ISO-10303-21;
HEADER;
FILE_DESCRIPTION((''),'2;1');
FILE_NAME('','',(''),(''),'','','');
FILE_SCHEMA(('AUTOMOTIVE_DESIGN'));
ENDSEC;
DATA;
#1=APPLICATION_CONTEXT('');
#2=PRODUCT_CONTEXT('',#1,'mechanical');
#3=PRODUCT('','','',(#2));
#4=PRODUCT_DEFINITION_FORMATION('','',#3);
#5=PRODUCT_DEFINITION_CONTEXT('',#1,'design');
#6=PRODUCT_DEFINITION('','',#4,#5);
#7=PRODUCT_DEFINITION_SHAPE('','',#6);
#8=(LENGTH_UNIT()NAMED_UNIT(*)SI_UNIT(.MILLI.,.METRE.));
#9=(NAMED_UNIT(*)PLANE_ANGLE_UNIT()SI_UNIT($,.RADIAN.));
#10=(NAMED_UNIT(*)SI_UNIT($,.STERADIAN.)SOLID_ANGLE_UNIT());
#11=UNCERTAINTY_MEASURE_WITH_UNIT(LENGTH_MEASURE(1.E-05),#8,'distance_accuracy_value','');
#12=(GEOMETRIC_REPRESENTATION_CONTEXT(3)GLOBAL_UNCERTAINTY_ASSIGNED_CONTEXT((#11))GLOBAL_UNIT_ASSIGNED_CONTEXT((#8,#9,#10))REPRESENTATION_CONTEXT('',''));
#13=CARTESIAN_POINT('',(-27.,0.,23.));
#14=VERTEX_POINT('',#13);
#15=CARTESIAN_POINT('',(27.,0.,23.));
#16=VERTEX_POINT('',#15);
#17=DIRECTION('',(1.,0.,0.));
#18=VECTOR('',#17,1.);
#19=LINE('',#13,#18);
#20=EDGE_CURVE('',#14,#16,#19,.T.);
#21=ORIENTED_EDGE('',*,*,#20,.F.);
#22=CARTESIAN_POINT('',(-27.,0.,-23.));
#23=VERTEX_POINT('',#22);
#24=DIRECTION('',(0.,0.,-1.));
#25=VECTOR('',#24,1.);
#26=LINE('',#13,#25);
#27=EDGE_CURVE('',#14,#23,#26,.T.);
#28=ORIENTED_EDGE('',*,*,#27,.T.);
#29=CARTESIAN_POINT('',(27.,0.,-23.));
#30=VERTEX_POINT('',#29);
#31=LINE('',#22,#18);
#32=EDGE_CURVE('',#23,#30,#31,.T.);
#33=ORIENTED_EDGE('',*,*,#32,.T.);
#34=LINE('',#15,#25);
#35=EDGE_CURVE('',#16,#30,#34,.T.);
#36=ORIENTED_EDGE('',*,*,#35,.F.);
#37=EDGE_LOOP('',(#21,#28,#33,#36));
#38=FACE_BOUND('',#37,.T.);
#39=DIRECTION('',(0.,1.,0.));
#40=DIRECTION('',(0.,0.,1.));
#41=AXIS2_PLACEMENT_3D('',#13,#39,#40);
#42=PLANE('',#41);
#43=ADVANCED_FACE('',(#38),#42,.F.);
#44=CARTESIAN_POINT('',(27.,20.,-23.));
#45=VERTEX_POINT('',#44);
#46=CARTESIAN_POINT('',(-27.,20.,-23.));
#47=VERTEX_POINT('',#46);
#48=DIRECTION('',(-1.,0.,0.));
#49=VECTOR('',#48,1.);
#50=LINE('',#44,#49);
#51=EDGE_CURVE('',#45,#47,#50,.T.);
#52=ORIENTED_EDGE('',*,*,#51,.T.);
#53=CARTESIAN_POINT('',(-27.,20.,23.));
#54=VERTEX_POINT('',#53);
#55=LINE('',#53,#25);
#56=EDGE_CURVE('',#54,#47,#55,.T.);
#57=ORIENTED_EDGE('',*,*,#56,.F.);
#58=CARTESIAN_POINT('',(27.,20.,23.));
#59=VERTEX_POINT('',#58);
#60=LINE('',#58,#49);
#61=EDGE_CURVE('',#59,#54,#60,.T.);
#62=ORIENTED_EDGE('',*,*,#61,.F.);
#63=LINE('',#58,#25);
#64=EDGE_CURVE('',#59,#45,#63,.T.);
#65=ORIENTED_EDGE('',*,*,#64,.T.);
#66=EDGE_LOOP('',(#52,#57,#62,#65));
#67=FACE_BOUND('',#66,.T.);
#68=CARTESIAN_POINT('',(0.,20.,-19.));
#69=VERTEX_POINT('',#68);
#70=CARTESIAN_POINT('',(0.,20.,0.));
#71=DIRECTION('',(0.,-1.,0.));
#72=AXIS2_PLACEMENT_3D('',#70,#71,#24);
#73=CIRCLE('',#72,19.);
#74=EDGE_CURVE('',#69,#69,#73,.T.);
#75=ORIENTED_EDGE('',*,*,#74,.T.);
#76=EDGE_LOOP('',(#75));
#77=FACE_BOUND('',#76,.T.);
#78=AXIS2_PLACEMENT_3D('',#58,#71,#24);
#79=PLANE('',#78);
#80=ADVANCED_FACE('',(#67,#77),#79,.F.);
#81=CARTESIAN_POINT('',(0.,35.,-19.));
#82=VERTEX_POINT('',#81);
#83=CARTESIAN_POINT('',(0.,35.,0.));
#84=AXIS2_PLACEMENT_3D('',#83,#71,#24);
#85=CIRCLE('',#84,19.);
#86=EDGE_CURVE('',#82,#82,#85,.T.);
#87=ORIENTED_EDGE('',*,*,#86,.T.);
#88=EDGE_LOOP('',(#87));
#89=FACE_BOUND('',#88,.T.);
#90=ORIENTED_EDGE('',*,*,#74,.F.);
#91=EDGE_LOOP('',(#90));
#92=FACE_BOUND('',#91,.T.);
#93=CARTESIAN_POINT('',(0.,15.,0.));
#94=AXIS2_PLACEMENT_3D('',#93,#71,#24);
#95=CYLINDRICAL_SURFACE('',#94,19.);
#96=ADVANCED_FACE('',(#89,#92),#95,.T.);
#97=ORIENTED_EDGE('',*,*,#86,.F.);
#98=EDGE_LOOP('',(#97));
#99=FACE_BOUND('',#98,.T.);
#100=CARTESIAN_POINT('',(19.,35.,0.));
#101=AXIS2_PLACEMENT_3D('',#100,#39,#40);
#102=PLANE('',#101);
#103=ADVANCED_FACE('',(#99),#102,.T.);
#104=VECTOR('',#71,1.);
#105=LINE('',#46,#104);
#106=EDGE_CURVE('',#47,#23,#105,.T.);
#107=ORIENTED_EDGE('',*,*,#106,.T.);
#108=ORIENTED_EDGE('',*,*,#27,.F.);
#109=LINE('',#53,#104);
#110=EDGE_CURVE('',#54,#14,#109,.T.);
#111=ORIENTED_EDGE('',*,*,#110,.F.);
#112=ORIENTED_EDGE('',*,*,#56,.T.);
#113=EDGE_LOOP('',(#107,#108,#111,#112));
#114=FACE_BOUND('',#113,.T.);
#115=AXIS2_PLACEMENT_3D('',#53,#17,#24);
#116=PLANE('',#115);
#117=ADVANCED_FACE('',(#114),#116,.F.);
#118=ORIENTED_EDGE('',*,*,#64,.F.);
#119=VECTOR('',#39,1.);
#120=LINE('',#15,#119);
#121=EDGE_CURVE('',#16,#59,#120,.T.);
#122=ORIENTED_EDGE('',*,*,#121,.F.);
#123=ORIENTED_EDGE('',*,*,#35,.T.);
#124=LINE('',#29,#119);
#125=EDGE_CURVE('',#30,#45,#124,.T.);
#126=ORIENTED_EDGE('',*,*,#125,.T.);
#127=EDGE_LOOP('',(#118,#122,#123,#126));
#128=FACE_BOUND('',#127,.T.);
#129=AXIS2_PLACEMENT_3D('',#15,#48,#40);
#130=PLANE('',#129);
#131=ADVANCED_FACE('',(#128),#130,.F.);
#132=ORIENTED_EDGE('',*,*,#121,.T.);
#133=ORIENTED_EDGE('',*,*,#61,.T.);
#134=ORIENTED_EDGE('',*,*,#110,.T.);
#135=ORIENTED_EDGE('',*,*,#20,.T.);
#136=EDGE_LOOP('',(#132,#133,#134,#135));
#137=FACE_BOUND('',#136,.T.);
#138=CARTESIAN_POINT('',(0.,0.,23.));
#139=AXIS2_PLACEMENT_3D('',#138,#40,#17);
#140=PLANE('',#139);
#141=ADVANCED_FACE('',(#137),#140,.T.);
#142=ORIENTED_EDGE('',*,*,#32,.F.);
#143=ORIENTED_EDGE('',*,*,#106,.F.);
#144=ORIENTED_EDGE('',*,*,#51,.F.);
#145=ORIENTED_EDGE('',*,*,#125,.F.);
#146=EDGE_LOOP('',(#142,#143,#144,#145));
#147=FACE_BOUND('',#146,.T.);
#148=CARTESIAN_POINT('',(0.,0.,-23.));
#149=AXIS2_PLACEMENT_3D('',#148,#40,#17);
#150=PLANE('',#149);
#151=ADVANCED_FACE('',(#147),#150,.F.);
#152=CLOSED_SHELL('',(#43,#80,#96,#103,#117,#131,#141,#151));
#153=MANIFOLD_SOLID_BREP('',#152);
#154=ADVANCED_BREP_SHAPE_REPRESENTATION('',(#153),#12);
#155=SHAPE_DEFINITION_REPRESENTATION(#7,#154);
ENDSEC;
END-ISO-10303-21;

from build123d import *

# Parameters (mm, degrees)
SK_BASE_W  = 54
SK_BASE_H  = 20
BASE_DEPTH = 23
SK_HEAD_W  = 19
SK_HEAD_H  = 15


with BuildPart() as part:
    # SK_Base → Base (new, symmetric)
    with BuildSketch(Plane.XY):
        with Locations((0, 10)):
            Rectangle(SK_BASE_W, SK_BASE_H)
    extrude(amount=BASE_DEPTH, both=True)

    # SK_Head → Head (revolve)
    with BuildSketch(Plane.XY, mode=Mode.PRIVATE) as head_sk:
        with Locations((9.5, 27.5)):
            Rectangle(SK_HEAD_W, SK_HEAD_H)
    revolve(head_sk.sketch.rotate(Axis((0, 15, 0), (0, 1, 0)), 90), axis=Axis((0, 15, 0), (0, 1, 0)))


solid = part.part
